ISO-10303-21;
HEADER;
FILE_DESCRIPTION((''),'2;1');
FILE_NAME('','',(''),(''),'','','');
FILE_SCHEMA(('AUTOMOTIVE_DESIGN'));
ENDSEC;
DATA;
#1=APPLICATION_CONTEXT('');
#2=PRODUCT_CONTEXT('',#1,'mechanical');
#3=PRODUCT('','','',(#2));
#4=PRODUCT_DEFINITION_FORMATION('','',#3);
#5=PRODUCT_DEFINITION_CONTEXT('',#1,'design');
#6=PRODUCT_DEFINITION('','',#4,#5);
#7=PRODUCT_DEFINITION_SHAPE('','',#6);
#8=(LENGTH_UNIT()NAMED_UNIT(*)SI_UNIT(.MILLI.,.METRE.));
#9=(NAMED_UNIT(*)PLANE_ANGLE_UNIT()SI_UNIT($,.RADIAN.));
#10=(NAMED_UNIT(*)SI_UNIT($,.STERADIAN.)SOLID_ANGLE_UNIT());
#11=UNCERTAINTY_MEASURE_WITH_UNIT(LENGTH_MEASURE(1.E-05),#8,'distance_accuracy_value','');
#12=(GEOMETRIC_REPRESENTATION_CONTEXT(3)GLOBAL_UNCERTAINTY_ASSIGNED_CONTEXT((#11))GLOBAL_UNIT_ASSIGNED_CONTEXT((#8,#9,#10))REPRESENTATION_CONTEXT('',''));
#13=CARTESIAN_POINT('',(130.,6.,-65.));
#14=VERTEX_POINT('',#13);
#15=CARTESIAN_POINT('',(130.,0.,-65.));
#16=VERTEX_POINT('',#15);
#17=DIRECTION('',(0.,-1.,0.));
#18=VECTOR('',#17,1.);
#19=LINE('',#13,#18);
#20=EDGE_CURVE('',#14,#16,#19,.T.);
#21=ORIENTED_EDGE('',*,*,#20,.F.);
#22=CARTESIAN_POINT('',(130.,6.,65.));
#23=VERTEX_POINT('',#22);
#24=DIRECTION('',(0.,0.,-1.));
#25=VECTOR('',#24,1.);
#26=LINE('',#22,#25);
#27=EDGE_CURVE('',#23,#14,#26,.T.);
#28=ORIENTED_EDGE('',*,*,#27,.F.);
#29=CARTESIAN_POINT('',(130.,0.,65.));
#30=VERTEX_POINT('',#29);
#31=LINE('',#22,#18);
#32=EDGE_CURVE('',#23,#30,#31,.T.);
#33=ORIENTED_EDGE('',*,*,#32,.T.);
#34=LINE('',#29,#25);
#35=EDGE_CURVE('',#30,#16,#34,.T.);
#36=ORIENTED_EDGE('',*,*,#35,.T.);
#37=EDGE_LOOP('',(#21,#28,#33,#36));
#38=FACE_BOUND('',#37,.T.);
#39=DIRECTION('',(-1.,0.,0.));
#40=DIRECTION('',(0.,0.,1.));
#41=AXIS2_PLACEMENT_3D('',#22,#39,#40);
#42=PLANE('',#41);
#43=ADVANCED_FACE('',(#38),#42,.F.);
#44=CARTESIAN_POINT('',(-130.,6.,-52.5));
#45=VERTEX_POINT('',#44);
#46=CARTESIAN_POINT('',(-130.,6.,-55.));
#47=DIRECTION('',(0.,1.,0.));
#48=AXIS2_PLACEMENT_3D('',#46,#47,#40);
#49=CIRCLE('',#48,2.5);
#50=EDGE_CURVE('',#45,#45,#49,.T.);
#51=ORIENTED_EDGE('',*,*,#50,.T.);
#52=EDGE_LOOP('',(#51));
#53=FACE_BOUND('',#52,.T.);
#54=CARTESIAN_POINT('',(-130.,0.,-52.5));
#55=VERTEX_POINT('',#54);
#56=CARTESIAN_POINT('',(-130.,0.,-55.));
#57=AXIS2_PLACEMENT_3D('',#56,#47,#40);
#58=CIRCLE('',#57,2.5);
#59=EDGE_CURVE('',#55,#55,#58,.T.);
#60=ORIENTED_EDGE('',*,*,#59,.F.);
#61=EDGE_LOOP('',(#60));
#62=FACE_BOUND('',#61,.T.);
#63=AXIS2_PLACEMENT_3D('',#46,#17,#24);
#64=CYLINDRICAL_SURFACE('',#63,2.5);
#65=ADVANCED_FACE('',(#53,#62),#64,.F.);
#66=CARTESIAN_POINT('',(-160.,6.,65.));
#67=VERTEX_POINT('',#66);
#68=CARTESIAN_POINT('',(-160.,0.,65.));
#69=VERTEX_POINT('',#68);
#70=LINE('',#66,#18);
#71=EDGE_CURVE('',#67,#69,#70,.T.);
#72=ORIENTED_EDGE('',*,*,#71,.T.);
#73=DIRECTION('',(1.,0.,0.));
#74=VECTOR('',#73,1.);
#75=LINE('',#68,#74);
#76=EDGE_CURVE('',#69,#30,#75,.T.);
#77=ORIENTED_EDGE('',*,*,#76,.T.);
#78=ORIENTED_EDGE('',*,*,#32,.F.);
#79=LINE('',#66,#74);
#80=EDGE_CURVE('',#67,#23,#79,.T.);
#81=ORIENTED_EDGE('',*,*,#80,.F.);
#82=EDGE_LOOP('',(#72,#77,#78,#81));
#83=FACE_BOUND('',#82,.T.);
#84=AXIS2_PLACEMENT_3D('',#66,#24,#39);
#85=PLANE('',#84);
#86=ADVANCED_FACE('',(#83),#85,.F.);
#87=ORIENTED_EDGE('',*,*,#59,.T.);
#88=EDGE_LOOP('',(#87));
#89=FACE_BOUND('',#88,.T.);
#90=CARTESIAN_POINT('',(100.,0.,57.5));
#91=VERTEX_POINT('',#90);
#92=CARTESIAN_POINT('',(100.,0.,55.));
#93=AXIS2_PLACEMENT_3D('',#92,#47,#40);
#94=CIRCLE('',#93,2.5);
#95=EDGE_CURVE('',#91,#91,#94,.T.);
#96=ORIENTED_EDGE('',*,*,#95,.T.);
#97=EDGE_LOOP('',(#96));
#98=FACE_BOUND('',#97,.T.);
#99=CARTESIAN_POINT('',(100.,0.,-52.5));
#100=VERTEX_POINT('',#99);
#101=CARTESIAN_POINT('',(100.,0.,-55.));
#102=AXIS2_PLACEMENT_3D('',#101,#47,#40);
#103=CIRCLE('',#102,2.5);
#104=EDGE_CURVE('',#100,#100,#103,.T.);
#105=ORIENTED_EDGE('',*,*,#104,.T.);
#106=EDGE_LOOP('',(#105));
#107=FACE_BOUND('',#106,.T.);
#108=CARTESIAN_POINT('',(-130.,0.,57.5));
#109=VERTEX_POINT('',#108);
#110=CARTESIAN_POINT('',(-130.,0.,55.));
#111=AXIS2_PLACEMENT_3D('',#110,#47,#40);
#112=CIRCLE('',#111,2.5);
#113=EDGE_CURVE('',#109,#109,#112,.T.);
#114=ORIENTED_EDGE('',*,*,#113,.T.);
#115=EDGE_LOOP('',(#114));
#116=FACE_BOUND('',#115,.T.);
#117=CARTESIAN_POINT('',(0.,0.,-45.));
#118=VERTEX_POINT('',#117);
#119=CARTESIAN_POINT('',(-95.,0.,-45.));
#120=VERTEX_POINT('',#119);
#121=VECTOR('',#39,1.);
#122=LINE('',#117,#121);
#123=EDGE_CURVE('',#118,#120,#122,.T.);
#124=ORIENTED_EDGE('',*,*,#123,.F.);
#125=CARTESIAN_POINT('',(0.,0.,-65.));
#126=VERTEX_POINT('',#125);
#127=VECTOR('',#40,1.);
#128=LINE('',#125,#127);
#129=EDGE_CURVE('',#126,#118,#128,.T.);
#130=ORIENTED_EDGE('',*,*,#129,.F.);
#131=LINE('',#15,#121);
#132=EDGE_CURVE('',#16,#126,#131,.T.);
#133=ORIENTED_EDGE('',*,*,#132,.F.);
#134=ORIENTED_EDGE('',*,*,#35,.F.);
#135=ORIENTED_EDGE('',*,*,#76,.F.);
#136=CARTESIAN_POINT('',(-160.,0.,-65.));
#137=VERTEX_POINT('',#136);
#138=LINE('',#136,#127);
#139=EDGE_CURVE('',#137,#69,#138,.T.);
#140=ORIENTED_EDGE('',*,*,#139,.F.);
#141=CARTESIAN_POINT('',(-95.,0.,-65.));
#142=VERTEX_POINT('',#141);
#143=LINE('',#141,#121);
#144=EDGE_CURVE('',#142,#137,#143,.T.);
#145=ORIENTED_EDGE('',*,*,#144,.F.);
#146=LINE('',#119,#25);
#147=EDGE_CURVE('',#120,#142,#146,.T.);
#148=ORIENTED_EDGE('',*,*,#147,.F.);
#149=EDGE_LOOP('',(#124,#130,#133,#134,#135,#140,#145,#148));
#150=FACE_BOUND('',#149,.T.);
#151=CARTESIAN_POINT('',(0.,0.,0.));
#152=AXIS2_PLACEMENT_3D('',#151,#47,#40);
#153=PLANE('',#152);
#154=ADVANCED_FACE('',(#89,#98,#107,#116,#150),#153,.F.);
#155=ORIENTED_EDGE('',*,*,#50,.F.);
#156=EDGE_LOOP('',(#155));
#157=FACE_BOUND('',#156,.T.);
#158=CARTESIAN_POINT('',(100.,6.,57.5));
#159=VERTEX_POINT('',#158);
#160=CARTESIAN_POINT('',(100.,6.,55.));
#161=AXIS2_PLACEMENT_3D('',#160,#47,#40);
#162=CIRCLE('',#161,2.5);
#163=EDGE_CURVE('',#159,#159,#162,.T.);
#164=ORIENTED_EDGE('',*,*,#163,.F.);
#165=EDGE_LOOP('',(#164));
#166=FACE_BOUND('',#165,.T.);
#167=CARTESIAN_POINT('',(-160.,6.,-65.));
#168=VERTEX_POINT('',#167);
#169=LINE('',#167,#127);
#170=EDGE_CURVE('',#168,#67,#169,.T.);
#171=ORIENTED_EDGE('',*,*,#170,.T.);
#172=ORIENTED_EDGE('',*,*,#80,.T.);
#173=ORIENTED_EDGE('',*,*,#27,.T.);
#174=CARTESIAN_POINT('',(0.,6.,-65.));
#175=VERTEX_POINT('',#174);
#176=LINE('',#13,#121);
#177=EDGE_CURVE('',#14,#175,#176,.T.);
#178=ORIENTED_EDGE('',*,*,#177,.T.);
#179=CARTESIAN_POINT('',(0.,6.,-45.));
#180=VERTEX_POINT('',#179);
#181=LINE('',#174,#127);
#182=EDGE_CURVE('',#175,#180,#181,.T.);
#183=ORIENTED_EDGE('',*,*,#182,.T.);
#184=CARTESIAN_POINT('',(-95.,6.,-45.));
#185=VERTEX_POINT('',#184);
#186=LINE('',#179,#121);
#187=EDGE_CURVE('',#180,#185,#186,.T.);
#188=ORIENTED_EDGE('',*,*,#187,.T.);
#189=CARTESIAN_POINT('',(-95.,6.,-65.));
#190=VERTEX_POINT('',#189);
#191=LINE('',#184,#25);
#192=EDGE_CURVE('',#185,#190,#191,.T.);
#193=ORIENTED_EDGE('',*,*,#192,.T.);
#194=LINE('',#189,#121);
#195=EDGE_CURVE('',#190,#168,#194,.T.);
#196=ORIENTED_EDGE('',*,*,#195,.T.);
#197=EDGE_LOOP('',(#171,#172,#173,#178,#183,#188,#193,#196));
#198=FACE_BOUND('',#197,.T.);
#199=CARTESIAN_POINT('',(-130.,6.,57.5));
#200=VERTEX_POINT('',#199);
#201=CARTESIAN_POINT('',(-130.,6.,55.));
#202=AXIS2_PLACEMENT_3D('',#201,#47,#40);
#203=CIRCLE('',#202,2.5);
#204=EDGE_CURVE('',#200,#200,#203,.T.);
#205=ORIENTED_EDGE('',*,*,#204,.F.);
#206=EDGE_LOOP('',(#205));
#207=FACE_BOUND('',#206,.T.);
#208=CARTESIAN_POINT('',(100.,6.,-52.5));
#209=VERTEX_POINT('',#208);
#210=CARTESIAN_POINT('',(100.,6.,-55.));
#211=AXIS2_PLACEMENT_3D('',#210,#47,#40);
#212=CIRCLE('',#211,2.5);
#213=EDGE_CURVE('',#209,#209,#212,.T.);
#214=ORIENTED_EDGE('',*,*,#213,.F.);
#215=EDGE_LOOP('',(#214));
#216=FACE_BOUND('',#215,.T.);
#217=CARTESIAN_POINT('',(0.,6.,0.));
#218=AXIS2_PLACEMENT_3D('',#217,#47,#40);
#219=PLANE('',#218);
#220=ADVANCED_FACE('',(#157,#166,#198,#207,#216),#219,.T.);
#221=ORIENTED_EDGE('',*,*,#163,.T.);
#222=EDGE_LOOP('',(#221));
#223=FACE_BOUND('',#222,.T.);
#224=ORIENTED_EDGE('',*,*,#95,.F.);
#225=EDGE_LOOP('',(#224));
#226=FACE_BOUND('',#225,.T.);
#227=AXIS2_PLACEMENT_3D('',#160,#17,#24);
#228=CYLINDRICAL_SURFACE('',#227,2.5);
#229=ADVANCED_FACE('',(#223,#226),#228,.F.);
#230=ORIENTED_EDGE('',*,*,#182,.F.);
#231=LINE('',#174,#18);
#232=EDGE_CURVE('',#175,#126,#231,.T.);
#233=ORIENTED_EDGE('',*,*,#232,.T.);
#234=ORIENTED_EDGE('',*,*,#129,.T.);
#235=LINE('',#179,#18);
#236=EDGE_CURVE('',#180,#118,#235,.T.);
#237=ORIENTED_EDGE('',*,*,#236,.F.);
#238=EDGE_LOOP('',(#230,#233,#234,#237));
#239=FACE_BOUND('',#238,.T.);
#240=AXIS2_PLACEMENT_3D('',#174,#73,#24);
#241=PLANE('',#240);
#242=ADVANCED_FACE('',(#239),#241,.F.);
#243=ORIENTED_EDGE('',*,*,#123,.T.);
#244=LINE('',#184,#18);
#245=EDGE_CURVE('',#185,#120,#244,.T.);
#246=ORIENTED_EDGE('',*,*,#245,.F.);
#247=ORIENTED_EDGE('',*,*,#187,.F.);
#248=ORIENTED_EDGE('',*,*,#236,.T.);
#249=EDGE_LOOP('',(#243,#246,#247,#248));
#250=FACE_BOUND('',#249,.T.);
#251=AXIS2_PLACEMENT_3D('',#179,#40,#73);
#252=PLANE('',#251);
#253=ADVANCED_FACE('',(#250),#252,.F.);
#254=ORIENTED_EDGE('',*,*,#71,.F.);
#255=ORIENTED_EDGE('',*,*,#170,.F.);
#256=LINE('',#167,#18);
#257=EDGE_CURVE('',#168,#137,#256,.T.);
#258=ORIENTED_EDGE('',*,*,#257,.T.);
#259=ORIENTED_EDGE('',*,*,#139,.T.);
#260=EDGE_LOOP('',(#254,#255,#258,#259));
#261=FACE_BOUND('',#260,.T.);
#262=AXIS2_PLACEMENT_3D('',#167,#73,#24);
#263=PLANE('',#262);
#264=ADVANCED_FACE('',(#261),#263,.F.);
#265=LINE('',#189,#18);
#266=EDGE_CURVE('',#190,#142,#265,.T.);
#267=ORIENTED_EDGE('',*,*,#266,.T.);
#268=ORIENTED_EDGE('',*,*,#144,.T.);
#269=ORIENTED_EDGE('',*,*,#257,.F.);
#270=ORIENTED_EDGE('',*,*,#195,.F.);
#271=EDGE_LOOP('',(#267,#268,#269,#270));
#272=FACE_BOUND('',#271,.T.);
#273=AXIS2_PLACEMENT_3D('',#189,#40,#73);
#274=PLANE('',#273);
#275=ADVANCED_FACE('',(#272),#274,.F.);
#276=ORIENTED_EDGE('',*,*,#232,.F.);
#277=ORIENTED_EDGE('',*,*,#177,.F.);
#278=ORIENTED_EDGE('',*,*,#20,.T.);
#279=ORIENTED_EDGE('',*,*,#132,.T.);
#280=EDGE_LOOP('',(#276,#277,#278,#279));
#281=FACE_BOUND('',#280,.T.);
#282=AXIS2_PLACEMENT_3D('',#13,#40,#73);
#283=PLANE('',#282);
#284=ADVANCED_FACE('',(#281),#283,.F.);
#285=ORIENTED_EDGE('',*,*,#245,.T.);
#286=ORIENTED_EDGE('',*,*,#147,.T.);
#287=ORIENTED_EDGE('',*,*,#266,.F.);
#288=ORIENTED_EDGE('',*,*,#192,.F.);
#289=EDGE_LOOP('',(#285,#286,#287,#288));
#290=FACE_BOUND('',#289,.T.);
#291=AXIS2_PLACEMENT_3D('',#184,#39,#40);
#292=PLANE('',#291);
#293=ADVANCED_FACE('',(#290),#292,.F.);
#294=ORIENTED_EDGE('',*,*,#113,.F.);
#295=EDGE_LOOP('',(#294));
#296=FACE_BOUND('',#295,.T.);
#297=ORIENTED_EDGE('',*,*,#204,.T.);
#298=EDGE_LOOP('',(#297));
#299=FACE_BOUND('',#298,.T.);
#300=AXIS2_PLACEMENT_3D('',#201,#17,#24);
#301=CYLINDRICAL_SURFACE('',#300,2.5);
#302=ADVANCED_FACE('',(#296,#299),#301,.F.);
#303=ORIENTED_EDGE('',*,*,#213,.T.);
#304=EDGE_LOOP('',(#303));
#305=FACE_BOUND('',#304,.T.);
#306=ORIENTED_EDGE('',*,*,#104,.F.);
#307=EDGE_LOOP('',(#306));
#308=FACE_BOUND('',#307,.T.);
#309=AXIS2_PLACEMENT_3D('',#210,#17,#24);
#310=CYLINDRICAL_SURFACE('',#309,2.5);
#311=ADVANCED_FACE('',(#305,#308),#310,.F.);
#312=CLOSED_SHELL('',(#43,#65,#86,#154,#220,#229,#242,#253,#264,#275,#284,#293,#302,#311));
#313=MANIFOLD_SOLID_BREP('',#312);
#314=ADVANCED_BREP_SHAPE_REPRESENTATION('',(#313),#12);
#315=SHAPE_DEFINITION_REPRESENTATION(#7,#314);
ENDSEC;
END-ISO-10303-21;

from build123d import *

# Parameters (mm, degrees)
SKETCH1_R           = 2.5
BOSS_EXTRUDE1_DEPTH = 6


with BuildPart() as part:
    # Sketch1 → Boss-Extrude1 (new body)
    with BuildSketch(Plane(origin=(0, 0, 0), x_dir=(1, 0, 0), z_dir=(0, 1, 0))):
        Polygon((-160, -65), (130, -65), (130, 65), (0, 65), (0, 45), (-95, 45), (-95, 65), (-160, 65), align=None)
        with Locations((-130, 55)):
            Circle(SKETCH1_R, mode=Mode.SUBTRACT)
        with Locations((100, 55)):
            Circle(SKETCH1_R, mode=Mode.SUBTRACT)
        with Locations((100, -55)):
            Circle(SKETCH1_R, mode=Mode.SUBTRACT)
        with Locations((-130, -55)):
            Circle(SKETCH1_R, mode=Mode.SUBTRACT)
    extrude(amount=BOSS_EXTRUDE1_DEPTH)


solid = part.part
